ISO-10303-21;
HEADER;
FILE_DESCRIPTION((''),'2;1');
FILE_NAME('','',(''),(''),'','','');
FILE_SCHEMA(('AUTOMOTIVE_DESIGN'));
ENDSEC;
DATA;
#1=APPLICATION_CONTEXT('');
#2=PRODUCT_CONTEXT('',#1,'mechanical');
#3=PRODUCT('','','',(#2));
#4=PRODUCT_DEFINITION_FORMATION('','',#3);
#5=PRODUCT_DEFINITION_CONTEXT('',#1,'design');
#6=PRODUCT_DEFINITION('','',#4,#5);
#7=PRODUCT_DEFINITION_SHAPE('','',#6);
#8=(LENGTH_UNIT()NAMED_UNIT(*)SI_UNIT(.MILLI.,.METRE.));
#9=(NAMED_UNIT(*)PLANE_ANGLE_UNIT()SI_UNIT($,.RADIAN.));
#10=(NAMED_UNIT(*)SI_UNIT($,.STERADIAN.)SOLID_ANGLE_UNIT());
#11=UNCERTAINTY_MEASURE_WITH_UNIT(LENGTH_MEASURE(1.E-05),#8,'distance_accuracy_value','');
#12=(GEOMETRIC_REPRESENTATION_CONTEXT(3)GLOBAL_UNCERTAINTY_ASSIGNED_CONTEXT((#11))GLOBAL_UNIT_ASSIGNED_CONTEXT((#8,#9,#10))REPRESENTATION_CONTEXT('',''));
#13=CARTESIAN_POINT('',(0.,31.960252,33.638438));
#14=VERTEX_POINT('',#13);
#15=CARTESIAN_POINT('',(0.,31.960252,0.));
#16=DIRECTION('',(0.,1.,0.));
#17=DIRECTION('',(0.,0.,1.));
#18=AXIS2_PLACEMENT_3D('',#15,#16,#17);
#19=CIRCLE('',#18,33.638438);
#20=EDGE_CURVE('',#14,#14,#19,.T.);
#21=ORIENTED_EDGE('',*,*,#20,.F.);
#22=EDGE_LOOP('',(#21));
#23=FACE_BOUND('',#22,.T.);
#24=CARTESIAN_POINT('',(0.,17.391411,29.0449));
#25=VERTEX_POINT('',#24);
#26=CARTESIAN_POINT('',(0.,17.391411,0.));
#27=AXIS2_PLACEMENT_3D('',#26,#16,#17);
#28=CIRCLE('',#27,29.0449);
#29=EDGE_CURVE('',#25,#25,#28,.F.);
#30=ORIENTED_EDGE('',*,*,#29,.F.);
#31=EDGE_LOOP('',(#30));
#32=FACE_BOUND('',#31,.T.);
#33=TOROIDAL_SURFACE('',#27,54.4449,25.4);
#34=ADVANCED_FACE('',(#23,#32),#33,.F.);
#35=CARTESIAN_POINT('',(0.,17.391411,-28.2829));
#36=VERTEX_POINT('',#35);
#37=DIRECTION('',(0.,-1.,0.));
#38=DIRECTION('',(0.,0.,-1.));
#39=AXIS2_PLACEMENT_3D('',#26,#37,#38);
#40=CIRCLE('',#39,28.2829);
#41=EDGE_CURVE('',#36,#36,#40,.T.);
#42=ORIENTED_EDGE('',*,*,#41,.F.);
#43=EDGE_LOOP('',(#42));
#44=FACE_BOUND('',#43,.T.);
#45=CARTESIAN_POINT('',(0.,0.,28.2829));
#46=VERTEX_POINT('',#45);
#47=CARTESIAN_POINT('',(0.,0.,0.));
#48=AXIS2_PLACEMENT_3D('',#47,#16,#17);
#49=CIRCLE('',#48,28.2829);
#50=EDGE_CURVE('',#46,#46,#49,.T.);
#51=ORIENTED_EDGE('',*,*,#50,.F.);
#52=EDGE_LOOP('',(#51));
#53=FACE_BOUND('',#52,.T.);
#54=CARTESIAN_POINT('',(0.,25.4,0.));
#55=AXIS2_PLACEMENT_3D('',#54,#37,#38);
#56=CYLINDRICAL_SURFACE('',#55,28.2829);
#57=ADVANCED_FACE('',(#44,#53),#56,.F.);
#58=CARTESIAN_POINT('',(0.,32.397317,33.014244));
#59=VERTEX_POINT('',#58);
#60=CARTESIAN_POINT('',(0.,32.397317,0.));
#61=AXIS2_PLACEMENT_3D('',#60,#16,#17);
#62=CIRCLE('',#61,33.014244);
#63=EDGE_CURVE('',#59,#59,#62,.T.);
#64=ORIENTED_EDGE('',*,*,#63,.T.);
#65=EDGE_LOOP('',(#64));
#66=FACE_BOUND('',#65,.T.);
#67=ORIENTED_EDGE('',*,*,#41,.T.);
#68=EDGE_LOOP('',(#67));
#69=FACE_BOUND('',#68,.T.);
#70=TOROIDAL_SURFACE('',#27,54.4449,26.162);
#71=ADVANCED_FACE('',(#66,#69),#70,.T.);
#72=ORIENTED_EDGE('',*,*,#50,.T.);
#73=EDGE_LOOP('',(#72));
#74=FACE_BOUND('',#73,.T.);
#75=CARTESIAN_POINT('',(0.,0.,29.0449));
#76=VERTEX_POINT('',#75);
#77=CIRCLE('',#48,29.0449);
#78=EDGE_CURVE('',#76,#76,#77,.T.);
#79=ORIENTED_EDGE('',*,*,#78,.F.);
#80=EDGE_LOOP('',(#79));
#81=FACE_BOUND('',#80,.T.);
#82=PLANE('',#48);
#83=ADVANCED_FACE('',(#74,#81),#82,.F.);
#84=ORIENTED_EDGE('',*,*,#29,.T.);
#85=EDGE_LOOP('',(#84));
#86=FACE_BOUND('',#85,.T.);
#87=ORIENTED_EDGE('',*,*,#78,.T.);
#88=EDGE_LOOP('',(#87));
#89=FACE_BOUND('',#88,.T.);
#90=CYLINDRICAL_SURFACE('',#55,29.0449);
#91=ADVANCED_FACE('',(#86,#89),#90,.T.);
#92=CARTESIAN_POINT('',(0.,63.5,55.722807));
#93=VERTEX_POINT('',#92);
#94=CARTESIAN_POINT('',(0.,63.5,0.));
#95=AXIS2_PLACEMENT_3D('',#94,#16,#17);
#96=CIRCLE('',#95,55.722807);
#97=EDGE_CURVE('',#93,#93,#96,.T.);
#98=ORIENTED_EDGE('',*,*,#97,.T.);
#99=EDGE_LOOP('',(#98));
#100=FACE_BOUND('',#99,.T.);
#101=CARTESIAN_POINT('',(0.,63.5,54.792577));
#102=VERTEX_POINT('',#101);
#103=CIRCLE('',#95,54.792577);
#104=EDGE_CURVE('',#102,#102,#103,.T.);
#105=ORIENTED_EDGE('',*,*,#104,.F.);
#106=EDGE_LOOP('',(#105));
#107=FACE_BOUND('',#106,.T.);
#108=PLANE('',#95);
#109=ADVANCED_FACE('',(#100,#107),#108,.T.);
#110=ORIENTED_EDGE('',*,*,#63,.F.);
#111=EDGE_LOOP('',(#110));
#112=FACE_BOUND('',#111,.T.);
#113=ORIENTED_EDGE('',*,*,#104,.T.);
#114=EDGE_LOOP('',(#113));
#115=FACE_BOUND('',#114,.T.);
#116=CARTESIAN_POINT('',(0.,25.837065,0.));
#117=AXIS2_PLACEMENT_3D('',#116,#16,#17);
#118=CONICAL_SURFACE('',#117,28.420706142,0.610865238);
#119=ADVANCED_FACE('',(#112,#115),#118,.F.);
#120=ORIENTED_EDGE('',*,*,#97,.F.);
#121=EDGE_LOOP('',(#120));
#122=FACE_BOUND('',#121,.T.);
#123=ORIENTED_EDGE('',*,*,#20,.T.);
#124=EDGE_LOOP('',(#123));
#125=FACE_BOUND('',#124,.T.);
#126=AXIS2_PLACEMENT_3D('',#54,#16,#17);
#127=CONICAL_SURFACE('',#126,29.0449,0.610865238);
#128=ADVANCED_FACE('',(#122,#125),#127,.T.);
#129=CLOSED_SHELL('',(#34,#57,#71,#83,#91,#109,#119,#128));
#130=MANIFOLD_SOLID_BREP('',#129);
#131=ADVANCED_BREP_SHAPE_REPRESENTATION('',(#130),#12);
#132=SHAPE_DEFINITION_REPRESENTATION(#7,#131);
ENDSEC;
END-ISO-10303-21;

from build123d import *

# Parameters (mm, degrees)
SKETCH1_R           = 29.0449
BOSS_EXTRUDE3_DEPTH = 25.4
SKETCH6_R           = 29.0449
BOSS_EXTRUDE4_DEPTH = 38.1
BOSS_EXTRUDE4_DRAFT = -35
FILLET1_R           = 25.4
SHELL2_T            = -0.762


with BuildPart() as part:
    # Sketch1 → Boss-Extrude3 (new body)
    with BuildSketch(Plane(origin=(0, 0, 0), x_dir=(1, 0, 0), z_dir=(0, 1, 0))):
        with Locations(Location((0, 0, 0), (0, 0, 270))):
            Circle(SKETCH1_R)
    extrude(amount=BOSS_EXTRUDE3_DEPTH)


with BuildPart() as boss_extrude4_tool:
    # Sketch6 → Boss-Extrude4 (with draft: the straight prism first)
    with BuildSketch(Plane(origin=(0, 25.4, 0), x_dir=(1, 0, 0), z_dir=(0, 1, 0))):
        with Locations(Location((0, 0, 0), (0, 0, 270))):
            Circle(SKETCH6_R)
    extrude(amount=BOSS_EXTRUDE4_DEPTH)
    # Boss-Extrude4: the draft: its side faces are tilted about the plane it starts from
    boss_extrude4_sides = [boss_extrude4_tool.faces().sort_by_distance(p)[0] for p in [
        (0, 44.45, -29.0449),
    ]]
    draft(boss_extrude4_sides, Plane(origin=(0, 25.4, 0), x_dir=(1, 0, 0), z_dir=(0, 1, 0)), BOSS_EXTRUDE4_DRAFT)


with BuildPart() as part_1:
    add(part.part)

    # Boss-Extrude4: add boss_extrude4_tool
    add(boss_extrude4_tool.part)

    # Fillet1
    fillet1_edges = [part_1.edges().sort_by_distance(p)[0] for p in [
        (0, 25.4, -29.0449),
    ]]
    fillet(fillet1_edges, radius=FILLET1_R)

    # Shell2
    shell2_openings = [part_1.faces().sort_by_distance(p)[0] for p in [
        (0, 0, 0),
        (0, 63.5, 0),
    ]]
    offset(amount=SHELL2_T, openings=shell2_openings, kind=Kind.INTERSECTION)


solid = part_1.part
